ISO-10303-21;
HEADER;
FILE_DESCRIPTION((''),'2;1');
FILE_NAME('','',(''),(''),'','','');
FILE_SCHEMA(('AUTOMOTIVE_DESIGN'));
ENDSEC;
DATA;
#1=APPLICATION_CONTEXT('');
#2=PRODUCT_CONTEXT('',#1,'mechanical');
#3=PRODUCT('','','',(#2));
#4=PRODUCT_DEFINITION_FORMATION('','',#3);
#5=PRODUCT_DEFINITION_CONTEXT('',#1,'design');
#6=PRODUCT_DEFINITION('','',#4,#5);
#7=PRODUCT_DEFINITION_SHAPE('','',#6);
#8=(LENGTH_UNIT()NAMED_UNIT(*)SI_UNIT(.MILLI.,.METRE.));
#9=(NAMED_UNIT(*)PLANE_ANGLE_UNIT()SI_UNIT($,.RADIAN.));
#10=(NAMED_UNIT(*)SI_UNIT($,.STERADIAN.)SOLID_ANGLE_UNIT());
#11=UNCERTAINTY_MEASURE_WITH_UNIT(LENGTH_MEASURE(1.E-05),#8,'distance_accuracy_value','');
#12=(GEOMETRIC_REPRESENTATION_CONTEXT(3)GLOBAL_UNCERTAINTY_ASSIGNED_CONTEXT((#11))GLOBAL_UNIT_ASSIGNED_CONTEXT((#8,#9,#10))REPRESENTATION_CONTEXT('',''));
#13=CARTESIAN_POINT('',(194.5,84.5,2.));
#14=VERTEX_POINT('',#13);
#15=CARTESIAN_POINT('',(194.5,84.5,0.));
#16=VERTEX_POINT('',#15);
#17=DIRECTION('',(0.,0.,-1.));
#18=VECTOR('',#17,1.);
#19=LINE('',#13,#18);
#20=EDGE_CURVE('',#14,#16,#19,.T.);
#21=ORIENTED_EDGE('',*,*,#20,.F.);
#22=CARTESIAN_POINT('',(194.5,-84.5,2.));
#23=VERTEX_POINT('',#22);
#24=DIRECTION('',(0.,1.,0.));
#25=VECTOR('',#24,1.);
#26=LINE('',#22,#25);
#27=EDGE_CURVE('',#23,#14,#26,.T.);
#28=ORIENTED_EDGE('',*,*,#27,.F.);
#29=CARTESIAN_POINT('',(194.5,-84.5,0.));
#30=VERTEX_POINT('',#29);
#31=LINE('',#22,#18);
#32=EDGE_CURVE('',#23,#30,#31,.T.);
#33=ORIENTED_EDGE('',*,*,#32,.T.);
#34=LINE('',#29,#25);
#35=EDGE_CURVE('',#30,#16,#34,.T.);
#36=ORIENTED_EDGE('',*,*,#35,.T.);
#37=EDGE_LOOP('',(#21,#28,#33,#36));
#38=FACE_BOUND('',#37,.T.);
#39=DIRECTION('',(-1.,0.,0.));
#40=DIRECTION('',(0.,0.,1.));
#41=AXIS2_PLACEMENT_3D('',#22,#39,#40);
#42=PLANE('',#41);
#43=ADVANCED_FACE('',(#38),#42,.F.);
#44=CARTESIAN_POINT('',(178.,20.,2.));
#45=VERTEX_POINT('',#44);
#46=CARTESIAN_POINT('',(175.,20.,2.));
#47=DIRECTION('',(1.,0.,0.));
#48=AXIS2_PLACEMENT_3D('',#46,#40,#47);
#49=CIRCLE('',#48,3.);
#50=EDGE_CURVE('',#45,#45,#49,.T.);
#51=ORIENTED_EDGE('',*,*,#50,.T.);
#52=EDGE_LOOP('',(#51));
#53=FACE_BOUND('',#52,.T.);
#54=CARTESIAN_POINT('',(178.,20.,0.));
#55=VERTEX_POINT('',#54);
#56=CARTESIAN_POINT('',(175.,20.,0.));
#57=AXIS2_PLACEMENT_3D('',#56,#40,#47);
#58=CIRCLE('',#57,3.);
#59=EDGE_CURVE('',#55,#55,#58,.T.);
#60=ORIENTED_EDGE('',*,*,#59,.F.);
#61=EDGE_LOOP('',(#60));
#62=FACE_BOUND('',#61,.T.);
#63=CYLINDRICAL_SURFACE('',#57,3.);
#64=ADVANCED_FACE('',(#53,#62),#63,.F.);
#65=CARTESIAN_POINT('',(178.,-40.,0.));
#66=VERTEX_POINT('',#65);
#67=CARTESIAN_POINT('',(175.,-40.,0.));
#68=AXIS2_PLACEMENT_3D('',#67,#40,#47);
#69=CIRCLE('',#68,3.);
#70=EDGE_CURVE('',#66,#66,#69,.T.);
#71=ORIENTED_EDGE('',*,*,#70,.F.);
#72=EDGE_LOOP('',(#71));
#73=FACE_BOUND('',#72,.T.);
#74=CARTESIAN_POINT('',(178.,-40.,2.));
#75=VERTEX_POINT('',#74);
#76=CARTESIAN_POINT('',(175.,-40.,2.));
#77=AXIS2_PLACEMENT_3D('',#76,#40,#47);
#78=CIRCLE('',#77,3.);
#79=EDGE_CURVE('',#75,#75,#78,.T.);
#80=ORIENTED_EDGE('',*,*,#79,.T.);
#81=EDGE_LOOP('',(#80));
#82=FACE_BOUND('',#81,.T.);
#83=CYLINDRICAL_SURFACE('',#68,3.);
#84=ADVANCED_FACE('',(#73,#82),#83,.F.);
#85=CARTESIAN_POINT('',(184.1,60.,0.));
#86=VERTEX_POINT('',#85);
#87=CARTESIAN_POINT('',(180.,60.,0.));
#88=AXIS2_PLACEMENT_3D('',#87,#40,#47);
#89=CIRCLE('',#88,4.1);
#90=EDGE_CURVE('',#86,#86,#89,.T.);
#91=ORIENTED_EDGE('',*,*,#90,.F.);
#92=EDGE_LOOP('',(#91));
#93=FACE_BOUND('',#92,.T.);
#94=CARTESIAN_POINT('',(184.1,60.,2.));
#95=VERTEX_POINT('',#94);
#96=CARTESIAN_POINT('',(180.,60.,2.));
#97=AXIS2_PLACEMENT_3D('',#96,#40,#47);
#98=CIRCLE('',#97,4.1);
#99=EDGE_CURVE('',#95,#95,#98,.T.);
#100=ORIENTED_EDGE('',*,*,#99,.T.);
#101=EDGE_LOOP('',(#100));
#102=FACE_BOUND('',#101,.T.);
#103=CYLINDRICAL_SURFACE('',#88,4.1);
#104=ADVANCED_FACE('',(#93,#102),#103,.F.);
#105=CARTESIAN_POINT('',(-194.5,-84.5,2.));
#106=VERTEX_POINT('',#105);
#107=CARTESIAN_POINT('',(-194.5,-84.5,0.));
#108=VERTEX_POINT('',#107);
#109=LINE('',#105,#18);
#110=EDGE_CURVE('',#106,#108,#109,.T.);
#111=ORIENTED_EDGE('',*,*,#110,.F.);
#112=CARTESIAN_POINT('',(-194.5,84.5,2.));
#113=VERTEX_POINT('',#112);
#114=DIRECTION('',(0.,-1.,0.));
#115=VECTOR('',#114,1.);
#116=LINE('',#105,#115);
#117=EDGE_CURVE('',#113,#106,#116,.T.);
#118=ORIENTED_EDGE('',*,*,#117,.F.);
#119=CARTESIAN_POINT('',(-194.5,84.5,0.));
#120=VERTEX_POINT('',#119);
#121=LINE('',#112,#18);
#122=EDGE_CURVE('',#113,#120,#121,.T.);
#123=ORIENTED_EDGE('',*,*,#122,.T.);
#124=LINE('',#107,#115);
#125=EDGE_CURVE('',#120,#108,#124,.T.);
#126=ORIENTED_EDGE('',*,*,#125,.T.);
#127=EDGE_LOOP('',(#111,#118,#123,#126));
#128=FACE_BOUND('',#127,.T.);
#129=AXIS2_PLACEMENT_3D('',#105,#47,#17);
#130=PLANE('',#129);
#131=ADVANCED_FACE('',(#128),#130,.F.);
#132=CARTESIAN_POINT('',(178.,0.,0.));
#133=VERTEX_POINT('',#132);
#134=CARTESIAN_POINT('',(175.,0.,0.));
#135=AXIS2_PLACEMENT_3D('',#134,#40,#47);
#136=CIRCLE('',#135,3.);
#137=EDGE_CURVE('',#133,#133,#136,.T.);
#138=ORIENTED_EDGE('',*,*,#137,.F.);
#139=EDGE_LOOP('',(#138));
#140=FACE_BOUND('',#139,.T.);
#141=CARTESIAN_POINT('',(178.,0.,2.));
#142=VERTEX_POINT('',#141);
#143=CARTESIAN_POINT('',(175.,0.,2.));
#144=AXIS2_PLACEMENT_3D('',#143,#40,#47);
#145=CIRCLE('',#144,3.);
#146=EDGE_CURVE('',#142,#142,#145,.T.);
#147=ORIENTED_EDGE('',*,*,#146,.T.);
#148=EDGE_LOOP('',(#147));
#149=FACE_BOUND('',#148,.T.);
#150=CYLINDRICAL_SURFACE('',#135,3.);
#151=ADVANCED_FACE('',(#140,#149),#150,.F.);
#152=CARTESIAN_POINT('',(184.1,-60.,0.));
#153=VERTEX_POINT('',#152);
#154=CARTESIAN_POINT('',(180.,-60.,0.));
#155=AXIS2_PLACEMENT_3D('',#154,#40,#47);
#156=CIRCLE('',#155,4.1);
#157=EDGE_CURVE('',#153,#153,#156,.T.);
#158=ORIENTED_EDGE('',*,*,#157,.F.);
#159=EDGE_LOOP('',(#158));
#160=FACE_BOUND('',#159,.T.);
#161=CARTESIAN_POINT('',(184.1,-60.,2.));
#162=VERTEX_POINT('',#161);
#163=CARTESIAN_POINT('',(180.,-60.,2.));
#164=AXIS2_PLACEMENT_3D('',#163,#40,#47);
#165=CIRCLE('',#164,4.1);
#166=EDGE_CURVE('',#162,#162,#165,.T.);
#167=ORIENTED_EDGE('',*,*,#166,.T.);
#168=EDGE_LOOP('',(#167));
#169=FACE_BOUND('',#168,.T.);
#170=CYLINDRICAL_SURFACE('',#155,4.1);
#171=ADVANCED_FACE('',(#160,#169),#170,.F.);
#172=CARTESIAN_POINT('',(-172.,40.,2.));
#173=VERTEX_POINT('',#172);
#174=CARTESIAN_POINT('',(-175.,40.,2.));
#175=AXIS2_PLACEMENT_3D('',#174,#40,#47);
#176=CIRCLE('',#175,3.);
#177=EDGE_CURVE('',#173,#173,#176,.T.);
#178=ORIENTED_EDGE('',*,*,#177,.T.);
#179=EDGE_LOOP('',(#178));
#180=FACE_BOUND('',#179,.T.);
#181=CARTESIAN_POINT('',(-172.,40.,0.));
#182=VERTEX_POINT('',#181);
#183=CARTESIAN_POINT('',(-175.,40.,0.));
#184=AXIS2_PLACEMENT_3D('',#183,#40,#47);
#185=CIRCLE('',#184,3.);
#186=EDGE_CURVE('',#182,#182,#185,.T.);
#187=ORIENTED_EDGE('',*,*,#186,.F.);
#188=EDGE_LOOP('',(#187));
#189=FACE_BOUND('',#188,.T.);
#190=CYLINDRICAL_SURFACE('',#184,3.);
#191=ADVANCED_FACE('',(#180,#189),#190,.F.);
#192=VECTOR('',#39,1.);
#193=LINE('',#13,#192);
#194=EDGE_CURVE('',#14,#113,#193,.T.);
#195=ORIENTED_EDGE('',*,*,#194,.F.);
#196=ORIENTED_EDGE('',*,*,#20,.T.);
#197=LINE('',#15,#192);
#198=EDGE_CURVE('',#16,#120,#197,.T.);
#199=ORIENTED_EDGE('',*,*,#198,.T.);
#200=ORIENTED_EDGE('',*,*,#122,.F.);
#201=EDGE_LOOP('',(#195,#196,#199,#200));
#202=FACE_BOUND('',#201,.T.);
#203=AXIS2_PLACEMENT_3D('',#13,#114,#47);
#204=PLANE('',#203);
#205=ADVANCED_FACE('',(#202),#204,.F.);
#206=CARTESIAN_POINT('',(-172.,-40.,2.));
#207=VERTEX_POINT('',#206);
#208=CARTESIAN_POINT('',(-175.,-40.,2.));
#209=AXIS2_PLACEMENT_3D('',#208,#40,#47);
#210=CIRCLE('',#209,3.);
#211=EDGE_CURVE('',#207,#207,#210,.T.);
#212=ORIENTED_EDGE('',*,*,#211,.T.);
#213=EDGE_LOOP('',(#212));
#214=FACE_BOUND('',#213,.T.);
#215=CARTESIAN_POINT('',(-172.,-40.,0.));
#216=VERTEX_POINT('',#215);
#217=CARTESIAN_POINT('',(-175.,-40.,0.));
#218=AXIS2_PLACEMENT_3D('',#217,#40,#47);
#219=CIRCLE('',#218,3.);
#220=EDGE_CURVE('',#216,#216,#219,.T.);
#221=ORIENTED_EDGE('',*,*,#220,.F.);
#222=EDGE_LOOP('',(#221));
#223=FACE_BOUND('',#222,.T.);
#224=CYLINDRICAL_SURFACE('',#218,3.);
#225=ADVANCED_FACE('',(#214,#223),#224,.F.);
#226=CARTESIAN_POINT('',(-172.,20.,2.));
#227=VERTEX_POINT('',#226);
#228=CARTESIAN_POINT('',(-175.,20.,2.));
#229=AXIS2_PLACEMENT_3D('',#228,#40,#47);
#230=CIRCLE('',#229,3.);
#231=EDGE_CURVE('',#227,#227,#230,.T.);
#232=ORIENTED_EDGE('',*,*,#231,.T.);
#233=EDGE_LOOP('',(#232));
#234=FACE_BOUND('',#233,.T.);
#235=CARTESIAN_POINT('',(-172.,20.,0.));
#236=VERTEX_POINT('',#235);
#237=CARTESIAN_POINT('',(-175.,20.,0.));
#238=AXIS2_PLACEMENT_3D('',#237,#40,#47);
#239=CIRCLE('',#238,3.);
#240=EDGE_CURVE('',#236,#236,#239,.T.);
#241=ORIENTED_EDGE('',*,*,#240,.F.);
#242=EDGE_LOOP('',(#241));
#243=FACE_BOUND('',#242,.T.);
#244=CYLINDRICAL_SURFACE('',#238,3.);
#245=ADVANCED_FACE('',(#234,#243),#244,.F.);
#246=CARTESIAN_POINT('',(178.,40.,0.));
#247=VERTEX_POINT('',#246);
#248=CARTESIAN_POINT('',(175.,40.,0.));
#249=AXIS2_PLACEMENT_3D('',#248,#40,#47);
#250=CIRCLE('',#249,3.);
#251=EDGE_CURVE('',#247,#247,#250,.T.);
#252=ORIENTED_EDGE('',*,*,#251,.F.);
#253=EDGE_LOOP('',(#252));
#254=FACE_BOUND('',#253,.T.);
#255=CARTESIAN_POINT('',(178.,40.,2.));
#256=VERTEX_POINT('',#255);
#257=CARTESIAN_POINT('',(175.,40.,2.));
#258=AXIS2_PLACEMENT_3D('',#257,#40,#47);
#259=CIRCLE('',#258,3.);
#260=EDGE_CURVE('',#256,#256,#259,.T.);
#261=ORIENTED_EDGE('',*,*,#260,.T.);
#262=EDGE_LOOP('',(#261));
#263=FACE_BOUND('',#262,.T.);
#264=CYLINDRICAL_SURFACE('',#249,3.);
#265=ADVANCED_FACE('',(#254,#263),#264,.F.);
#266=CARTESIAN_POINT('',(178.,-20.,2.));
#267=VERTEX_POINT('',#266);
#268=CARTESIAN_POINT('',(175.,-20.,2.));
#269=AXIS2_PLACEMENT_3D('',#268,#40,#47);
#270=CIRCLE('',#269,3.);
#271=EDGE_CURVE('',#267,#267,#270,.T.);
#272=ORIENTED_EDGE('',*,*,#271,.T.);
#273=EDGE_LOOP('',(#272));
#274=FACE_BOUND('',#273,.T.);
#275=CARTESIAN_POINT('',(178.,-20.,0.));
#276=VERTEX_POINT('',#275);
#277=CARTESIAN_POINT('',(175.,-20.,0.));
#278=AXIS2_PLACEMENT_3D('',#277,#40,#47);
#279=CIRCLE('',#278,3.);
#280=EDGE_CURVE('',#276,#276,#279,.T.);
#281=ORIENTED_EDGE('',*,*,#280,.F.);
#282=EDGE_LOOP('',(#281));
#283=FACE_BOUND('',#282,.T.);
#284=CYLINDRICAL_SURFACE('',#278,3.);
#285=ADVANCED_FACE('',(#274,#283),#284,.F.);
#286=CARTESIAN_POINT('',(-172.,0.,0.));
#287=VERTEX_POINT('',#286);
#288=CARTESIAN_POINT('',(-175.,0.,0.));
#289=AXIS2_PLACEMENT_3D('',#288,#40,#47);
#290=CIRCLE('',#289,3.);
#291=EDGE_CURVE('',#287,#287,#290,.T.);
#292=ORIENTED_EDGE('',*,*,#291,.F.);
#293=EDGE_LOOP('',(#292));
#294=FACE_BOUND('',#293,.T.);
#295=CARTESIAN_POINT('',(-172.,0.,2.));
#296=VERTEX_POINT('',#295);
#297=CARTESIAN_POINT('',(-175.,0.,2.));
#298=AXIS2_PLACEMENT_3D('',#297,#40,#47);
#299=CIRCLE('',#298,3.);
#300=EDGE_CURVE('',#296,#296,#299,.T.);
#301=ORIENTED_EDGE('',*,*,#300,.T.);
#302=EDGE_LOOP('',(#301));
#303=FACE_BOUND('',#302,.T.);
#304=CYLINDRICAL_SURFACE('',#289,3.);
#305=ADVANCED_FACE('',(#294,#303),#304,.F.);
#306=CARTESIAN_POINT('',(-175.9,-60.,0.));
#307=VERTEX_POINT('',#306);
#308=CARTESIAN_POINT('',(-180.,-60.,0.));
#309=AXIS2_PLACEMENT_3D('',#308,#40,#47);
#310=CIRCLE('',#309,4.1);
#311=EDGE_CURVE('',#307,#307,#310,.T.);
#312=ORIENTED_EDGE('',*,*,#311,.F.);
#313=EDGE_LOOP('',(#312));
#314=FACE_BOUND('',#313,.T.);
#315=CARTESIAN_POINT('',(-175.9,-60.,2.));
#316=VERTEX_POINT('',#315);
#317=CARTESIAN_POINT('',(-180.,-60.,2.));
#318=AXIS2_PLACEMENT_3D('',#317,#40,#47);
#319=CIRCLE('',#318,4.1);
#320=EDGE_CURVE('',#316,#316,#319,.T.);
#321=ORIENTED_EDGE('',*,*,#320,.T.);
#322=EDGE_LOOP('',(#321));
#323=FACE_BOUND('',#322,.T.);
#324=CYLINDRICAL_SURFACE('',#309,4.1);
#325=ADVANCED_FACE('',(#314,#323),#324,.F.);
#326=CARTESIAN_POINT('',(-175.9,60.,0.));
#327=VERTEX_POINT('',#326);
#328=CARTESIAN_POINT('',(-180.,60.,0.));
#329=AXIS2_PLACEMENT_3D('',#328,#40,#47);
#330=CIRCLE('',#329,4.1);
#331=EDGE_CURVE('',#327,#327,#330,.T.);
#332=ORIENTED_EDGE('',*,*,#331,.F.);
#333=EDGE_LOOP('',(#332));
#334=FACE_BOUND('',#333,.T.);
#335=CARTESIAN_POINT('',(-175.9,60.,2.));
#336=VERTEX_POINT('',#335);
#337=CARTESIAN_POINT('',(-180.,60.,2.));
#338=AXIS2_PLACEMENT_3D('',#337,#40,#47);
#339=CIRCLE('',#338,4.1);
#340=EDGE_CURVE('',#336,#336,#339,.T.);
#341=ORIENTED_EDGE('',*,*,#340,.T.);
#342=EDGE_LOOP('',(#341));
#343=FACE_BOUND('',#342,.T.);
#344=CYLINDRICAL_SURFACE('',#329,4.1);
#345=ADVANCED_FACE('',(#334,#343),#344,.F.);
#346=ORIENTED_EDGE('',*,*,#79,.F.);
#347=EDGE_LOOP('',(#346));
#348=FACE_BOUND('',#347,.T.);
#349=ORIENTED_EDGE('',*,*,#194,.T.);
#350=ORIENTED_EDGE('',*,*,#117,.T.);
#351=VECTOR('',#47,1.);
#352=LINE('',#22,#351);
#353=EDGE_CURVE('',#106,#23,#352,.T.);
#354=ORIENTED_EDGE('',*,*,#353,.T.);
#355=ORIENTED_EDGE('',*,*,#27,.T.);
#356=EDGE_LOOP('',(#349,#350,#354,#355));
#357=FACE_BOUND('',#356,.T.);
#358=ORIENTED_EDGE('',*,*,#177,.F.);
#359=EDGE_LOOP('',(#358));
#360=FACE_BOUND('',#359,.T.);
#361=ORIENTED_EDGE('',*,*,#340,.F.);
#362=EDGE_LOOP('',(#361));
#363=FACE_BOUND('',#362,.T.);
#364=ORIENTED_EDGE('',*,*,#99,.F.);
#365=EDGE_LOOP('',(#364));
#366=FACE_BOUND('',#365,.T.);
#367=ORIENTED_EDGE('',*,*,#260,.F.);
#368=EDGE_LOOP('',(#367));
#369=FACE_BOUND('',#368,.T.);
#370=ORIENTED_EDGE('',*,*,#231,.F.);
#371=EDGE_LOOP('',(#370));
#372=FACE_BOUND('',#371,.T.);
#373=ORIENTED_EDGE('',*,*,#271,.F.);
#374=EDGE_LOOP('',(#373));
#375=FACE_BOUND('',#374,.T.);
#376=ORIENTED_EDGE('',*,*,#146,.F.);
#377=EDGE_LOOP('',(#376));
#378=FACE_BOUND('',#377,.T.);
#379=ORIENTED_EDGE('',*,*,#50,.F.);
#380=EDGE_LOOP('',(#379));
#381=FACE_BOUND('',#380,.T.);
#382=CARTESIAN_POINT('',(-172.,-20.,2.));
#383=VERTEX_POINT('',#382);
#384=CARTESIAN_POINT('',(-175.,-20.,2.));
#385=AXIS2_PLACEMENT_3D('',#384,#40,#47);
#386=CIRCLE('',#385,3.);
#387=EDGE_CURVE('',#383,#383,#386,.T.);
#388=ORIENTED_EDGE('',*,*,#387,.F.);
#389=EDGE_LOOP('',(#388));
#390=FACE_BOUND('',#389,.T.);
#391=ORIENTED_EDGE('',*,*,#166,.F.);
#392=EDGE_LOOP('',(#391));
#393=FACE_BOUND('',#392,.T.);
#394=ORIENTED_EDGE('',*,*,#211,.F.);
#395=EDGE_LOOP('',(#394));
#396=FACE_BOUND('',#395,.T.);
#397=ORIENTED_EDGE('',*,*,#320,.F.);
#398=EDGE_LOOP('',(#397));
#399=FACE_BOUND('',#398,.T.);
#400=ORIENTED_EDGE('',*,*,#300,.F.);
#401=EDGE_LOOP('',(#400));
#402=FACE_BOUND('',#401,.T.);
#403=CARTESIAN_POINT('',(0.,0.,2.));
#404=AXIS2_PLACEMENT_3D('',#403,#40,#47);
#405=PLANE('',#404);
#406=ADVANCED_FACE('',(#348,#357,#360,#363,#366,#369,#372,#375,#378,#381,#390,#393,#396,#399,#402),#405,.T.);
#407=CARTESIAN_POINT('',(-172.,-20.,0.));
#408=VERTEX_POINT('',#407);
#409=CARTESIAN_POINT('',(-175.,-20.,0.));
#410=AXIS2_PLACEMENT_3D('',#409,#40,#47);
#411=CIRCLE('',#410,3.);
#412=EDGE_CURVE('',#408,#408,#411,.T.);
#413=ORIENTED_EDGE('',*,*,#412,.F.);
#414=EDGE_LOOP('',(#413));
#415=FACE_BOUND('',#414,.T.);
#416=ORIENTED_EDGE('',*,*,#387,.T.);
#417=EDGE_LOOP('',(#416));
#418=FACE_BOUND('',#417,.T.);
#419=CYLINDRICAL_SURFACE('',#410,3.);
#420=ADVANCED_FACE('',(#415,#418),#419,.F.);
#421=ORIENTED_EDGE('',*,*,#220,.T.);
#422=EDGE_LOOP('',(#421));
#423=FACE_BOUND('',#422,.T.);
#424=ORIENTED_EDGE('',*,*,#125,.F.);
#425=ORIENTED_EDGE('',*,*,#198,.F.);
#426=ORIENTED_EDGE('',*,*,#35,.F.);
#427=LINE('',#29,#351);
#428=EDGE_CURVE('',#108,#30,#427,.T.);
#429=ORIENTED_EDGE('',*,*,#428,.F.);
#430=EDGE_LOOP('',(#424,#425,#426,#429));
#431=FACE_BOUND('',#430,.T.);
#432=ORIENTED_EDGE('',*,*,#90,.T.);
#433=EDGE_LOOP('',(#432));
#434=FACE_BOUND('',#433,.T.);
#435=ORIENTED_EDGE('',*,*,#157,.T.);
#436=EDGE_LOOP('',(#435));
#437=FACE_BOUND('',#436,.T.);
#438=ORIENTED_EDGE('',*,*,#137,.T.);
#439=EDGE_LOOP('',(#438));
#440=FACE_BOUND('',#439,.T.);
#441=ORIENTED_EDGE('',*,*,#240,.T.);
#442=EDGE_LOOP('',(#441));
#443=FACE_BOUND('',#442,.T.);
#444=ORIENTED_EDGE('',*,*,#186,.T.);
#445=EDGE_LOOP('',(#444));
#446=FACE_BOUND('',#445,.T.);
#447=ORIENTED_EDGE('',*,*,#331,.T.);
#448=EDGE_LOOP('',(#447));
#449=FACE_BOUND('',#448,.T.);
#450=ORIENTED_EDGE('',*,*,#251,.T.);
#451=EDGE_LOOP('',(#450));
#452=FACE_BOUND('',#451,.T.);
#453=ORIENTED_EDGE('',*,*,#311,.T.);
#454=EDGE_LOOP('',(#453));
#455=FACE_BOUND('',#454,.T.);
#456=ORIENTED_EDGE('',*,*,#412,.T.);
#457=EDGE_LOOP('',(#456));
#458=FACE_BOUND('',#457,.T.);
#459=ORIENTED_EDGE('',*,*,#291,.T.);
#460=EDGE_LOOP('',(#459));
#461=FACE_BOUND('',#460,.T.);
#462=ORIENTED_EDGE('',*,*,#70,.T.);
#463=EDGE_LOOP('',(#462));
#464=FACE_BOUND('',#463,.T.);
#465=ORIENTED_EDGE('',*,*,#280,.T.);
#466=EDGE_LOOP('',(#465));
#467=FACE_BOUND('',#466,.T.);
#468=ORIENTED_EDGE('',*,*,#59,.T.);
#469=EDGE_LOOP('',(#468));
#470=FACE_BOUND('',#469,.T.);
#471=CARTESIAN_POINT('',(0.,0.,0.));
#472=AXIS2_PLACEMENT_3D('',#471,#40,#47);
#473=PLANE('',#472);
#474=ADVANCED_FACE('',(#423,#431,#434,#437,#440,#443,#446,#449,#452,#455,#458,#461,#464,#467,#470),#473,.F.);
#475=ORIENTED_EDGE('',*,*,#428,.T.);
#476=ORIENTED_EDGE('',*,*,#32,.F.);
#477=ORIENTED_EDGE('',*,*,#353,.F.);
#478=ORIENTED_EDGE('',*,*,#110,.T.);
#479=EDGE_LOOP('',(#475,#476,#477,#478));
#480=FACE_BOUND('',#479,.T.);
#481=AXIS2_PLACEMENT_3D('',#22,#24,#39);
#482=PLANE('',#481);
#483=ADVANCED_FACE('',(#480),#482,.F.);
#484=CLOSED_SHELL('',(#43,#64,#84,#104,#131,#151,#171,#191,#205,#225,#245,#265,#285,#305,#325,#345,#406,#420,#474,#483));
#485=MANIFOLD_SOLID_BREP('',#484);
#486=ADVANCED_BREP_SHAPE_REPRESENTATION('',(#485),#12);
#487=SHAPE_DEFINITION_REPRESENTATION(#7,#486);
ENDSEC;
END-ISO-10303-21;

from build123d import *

# Parameters (mm, degrees)
MODEL_W             = 389
MODEL_H             = 169
BOSS_EXTRUDE1_DEPTH = 2
SKETCH1_R           = 3
SKETCH1_R_2         = 4.1
CUT_EXTRUDE1_DEPTH  = 213.071921762


with BuildPart() as part:
    # Model → Boss-Extrude1 (new body)
    with BuildSketch(Plane.XY):
        Rectangle(MODEL_W, MODEL_H)
    extrude(amount=BOSS_EXTRUDE1_DEPTH)

    # Sketch1 → Cut-Extrude1 (cut, through all)
    with BuildSketch(Plane.XY.offset(2)):
        with Locations((-175, 0)):
            Circle(SKETCH1_R)
        with Locations((175, 0)):
            Circle(SKETCH1_R)
        with Locations((-175, 20)):
            Circle(SKETCH1_R)
        with Locations((175, 20)):
            Circle(SKETCH1_R)
        with Locations((-175, 40)):
            Circle(SKETCH1_R)
        with Locations((175, 40)):
            Circle(SKETCH1_R)
        with Locations((-180, 60)):
            Circle(SKETCH1_R_2)
        with Locations((180, 60)):
            Circle(SKETCH1_R_2)
        with Locations((-175, -20)):
            Circle(SKETCH1_R)
        with Locations((175, -20)):
            Circle(SKETCH1_R)
        with Locations((-175, -40)):
            Circle(SKETCH1_R)
        with Locations((175, -40)):
            Circle(SKETCH1_R)
        with Locations((-180, -60)):
            Circle(SKETCH1_R_2)
        with Locations((180, -60)):
            Circle(SKETCH1_R_2)
    extrude(amount=-CUT_EXTRUDE1_DEPTH, mode=Mode.SUBTRACT)


solid = part.part
